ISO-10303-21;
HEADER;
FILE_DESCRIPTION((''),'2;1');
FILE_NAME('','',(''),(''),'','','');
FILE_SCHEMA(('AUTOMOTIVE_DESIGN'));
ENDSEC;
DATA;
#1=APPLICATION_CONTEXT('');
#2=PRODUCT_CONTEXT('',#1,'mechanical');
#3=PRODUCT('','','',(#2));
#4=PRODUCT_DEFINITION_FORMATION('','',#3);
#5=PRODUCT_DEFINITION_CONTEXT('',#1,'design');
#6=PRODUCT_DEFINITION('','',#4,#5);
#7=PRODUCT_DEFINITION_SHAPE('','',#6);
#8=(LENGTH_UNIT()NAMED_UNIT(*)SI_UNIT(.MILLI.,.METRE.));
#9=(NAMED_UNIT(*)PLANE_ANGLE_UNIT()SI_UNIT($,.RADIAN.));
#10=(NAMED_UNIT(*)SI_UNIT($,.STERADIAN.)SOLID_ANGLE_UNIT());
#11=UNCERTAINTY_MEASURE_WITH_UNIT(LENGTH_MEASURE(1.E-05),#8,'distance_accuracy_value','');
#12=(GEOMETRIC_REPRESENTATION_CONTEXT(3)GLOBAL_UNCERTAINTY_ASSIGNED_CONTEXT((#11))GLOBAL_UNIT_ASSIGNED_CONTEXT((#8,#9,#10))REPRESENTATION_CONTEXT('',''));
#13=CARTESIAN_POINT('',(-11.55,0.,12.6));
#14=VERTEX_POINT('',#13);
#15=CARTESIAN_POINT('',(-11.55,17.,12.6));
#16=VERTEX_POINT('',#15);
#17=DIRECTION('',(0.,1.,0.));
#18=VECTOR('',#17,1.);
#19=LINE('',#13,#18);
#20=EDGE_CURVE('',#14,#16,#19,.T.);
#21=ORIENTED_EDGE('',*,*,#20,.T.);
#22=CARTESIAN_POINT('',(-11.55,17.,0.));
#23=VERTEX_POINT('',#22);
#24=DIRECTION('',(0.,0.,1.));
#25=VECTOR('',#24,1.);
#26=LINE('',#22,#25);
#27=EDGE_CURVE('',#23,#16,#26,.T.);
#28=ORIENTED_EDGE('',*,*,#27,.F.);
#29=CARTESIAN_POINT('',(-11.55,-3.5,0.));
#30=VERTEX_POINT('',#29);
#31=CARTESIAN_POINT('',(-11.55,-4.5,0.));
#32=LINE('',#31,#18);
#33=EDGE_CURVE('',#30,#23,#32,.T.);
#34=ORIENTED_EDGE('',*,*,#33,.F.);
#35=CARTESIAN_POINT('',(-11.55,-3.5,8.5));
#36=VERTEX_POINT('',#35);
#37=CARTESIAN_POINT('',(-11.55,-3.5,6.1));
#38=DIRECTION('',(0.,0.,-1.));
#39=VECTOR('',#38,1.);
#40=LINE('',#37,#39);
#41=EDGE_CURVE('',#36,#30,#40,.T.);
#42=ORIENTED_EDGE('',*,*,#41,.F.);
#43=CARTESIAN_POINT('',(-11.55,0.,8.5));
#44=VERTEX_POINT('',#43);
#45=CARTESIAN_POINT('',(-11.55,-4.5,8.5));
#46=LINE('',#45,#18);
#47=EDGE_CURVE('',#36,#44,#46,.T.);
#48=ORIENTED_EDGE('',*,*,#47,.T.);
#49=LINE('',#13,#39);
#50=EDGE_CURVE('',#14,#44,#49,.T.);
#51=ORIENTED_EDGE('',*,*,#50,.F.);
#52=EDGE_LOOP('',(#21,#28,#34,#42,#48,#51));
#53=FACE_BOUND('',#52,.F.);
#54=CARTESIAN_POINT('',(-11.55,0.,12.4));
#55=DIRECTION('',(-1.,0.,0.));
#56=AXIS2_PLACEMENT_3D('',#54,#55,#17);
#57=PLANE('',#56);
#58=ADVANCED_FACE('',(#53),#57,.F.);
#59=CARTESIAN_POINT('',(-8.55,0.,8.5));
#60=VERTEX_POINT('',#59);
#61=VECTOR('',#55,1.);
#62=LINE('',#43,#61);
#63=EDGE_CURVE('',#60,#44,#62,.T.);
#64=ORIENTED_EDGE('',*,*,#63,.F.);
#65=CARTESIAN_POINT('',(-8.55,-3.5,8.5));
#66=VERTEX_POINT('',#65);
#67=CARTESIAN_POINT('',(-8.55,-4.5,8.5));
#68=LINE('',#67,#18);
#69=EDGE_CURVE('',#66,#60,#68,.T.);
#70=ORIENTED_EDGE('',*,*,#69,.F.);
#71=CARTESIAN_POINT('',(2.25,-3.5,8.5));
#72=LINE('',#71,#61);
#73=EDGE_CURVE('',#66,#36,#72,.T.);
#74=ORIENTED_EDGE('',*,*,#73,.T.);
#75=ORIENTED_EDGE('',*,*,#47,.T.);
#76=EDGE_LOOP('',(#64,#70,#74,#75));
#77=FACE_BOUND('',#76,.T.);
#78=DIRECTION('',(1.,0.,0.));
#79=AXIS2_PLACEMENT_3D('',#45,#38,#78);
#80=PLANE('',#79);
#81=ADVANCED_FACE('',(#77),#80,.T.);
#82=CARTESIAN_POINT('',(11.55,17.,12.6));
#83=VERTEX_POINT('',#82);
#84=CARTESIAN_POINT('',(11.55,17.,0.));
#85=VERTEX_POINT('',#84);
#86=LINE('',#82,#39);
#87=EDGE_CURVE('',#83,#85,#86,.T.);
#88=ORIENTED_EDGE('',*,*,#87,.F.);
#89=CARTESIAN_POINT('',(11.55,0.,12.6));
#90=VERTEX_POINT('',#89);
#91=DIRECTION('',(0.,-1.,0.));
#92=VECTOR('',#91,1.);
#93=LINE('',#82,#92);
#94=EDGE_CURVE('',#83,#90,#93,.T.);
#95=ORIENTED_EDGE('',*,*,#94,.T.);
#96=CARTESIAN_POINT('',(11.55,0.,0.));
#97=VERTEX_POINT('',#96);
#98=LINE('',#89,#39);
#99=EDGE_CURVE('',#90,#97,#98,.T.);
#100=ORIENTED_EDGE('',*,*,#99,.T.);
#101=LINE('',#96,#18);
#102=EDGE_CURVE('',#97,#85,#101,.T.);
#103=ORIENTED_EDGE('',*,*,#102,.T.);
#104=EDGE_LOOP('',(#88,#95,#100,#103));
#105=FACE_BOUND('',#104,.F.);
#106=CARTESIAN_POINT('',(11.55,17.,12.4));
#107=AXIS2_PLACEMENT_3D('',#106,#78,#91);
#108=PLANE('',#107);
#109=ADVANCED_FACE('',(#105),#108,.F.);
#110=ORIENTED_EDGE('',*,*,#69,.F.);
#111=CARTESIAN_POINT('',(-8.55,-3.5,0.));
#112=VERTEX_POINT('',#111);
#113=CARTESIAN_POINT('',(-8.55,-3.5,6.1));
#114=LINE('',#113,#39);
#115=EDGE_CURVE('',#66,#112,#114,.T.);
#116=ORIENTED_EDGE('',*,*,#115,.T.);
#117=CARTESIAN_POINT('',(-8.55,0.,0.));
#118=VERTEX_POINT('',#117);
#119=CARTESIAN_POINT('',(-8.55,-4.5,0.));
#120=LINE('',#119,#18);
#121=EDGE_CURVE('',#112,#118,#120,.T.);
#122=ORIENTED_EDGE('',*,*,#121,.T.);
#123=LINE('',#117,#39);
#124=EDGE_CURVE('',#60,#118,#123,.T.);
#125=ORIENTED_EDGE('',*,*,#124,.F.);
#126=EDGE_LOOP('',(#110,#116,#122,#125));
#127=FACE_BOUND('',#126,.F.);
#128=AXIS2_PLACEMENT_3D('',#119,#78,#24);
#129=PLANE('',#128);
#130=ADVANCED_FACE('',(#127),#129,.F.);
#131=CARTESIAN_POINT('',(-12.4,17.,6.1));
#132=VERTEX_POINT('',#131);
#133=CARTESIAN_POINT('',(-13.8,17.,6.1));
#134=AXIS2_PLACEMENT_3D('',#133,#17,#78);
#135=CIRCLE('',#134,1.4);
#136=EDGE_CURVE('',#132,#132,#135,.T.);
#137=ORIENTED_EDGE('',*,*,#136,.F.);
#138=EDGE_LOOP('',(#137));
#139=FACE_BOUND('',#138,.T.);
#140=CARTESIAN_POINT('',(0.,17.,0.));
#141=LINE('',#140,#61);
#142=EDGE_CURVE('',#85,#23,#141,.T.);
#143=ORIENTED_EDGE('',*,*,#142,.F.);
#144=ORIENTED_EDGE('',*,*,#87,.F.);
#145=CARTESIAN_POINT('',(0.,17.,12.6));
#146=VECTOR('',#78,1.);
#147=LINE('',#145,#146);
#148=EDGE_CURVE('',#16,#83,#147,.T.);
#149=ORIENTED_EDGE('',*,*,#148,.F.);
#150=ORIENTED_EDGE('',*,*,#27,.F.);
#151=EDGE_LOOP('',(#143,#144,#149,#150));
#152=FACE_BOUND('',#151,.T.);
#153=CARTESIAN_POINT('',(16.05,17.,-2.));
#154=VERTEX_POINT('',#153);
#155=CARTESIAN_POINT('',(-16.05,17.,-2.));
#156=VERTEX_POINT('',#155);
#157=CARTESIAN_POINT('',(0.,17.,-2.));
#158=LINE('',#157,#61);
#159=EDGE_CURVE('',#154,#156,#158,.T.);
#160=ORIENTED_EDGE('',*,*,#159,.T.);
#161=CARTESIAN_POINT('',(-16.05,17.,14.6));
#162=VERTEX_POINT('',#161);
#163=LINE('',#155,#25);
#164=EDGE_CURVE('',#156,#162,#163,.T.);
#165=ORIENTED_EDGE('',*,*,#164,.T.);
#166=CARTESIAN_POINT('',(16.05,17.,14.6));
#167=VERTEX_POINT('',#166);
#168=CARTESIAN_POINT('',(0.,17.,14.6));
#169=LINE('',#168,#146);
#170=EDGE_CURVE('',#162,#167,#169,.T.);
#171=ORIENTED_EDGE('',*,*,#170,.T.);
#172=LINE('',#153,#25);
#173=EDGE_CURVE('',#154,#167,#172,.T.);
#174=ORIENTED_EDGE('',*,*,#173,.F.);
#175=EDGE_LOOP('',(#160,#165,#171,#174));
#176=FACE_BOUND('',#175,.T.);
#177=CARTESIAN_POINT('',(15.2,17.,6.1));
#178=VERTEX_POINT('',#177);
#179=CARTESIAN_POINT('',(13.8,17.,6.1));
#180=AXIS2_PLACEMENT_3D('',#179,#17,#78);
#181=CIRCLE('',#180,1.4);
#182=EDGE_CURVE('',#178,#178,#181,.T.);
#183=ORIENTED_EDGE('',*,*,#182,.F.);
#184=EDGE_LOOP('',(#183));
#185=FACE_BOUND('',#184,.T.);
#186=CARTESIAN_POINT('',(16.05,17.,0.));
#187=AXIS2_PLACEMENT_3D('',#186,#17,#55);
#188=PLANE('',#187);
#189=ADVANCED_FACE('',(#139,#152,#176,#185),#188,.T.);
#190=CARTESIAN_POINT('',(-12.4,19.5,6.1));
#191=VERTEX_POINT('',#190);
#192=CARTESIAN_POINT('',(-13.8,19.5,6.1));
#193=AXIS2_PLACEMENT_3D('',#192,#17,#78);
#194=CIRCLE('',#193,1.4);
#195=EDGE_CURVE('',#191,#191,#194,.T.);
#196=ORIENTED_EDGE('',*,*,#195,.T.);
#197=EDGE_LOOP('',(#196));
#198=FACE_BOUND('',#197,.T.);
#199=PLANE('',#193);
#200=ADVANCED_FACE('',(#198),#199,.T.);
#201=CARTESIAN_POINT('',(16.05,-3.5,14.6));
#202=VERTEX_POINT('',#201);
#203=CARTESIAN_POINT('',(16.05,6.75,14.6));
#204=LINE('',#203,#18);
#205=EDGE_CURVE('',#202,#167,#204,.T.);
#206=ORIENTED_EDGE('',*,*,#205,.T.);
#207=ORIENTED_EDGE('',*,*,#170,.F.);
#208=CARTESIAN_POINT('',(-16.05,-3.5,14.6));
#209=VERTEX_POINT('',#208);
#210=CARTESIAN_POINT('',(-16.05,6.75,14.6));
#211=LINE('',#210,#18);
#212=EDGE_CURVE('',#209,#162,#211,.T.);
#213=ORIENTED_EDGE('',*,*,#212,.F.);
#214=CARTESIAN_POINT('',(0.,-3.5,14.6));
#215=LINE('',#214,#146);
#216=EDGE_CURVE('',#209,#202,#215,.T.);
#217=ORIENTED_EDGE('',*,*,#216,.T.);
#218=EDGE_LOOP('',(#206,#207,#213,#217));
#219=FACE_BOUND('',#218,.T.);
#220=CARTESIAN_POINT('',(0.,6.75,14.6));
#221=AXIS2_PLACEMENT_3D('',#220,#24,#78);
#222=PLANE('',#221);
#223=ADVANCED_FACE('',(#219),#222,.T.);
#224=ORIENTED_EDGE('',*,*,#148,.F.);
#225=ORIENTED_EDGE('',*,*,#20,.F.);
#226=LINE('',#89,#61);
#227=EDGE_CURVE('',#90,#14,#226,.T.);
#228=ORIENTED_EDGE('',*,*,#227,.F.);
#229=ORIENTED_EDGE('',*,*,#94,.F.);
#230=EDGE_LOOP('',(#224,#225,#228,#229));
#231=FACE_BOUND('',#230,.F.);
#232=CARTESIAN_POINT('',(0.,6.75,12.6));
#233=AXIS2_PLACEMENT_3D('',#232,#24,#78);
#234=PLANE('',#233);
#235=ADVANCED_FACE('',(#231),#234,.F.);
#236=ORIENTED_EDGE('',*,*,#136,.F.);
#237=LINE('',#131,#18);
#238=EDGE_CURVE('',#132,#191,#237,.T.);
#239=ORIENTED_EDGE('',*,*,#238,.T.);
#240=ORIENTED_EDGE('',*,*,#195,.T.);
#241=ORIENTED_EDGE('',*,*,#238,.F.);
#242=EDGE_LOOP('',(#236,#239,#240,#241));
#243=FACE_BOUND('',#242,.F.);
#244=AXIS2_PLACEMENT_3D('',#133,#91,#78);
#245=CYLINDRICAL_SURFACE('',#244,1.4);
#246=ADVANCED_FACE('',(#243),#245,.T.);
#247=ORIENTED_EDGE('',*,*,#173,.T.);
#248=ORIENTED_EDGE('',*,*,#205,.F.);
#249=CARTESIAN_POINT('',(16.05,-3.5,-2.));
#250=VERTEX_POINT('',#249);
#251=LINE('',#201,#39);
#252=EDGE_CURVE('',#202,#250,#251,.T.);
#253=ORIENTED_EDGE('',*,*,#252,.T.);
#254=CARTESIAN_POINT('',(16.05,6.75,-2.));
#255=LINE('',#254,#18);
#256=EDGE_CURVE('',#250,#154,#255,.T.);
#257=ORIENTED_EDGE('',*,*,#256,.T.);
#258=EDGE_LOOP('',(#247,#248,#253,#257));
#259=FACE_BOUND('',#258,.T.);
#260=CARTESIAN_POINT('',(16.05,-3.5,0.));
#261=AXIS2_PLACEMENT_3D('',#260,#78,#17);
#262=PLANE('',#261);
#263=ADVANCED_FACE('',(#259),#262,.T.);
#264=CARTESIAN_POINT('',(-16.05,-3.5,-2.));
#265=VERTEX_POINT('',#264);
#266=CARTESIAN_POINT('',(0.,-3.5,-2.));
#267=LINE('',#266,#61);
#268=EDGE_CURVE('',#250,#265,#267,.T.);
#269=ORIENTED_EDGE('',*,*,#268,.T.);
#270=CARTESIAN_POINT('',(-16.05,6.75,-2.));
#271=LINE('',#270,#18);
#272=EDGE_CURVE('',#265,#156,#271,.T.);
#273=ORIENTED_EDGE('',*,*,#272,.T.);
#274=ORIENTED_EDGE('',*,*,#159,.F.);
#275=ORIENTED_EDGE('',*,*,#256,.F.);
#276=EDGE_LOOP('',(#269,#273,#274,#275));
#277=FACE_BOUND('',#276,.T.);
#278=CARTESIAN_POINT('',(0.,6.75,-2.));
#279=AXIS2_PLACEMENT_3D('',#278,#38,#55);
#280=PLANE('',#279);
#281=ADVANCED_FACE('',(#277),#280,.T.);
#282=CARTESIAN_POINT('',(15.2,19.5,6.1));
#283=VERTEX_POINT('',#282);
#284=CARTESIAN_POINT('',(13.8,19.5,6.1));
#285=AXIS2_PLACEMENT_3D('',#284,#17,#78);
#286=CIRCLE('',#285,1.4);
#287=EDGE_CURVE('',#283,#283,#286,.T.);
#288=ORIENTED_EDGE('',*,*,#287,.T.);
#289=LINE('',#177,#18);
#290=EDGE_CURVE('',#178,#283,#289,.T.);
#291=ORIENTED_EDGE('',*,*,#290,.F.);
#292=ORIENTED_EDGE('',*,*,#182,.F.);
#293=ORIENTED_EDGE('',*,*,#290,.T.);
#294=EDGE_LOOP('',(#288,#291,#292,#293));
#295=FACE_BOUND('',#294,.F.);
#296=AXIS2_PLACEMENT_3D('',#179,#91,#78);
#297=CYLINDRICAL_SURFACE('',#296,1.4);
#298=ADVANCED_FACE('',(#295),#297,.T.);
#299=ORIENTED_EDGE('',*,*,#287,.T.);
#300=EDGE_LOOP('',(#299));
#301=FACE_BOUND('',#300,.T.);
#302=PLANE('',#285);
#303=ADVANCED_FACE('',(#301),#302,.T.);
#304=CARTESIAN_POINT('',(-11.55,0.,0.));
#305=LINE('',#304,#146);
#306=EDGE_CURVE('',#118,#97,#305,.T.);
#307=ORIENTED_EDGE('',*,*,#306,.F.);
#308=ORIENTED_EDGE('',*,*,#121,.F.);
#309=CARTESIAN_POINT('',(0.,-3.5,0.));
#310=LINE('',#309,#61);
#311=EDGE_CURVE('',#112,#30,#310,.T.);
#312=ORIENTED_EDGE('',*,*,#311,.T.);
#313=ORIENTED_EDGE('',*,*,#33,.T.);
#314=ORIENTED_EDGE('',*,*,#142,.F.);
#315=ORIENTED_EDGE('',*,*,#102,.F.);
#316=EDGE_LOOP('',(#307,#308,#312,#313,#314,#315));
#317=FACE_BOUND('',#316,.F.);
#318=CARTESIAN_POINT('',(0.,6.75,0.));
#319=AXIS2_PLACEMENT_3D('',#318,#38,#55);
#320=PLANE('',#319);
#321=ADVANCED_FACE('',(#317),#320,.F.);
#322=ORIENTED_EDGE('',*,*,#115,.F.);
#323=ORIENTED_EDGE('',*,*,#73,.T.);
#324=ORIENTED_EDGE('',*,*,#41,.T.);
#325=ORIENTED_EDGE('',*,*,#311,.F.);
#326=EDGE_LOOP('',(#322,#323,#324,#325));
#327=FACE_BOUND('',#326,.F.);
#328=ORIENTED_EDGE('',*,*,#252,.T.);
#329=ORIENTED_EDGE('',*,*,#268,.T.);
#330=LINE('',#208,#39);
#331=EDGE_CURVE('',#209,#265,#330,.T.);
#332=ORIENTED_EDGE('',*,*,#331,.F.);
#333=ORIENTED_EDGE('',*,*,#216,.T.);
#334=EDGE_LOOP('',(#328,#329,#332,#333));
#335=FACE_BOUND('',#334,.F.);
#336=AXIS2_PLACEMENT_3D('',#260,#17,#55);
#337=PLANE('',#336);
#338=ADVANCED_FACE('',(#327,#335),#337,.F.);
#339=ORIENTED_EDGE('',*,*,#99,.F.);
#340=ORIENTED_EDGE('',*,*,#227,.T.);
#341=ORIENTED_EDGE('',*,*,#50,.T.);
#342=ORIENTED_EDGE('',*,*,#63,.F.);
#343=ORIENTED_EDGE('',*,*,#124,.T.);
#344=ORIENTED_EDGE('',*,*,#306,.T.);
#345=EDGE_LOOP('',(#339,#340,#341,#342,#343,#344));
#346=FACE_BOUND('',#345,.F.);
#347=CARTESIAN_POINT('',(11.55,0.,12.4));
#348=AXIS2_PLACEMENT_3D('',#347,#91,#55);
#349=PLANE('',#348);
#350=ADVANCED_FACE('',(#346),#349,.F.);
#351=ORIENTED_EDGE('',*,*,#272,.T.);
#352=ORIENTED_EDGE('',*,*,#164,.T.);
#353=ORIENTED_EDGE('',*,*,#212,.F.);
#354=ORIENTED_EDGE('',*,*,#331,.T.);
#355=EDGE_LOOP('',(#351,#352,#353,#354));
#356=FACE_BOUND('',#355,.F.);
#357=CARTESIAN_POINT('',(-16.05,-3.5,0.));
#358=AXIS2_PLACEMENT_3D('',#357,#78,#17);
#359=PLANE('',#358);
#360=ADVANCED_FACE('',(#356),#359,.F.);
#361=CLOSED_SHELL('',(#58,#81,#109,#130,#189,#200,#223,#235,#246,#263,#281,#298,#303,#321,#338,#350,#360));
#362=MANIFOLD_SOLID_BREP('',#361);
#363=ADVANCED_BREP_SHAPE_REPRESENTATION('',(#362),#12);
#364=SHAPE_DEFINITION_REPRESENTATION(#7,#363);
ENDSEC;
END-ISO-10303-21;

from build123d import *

# Parameters (mm, degrees)
EXTRUDE_2_DEPTH          = 12.2
SKETCH_5_W               = 3
SKETCH_5_H               = 8.5
CUT_EXTRUDE_1_DEPTH      = 22.5
SKETCH_6_R               = 1.4
EXTRUDE_3_DEPTH          = 2.5
SKETCH_7_W               = 12.2
SKETCH_7_H               = 1
CUT_EXTRUDE_2_DEPTH      = 1
CUT_EXTRUDE_2_DEPTH_BACK = 32.1
EXTRUDE_4_DEPTH          = 0.2
EXTRUDE_5_DEPTH          = 0.2
SKETCH_10_W              = 32.1
SKETCH_10_H              = 20.5
EXTRUDE_6_DEPTH          = 2
SKETCH_11_W              = 32.1
SKETCH_11_H              = 20.5
EXTRUDE_7_DEPTH          = 2


with BuildPart() as part:
    # 草图4 → 凸台-拉伸2 (new body)
    with BuildSketch(Plane.XY):
        Polygon((-11.55, 0), (11.55, 0), (11.55, 17), (16.05, 17), (16.05, -4.5), (-16.05, -4.5), (-16.05, 17), (-11.55, 17), align=None)
    extrude(amount=EXTRUDE_2_DEPTH)

    # 草图5 → 切除-拉伸1 (cut, through all)
    with BuildSketch(Plane.XZ.offset(4.5)):
        with Locations((-10.05, 4.25)):
            Rectangle(SKETCH_5_W, SKETCH_5_H)
    extrude(amount=-CUT_EXTRUDE_1_DEPTH, mode=Mode.SUBTRACT)

    # 草图6 → 凸台-拉伸3 (add)
    with BuildSketch(Plane(origin=(0, 17, 0), x_dir=(1, 0, 0), z_dir=(0, 1, 0))):
        with Locations((13.8, -6.1)):
            Circle(SKETCH_6_R)
        with Locations((-13.8, -6.1)):
            Circle(SKETCH_6_R)
    extrude(amount=EXTRUDE_3_DEPTH)

    # 草图7 → 切除-拉伸2 (cut, two sides)
    with BuildSketch(Plane(origin=(16.05, 0, 0), x_dir=(0, 0, -1), z_dir=(1, 0, 0))) as cut_extrude_2_sk:
        with Locations((-6.1, -4)):
            Rectangle(SKETCH_7_W, SKETCH_7_H)
    extrude(amount=CUT_EXTRUDE_2_DEPTH, mode=Mode.SUBTRACT)
    extrude(cut_extrude_2_sk.sketch, amount=-CUT_EXTRUDE_2_DEPTH_BACK, mode=Mode.SUBTRACT)

    # 草图8 → 凸台-拉伸4 (add)
    with BuildSketch(Plane.XY.offset(12.2)):
        Polygon((-11.55, 17), (-16.05, 17), (-16.05, -3.5), (16.05, -3.5), (16.05, 17), (11.55, 17), (11.55, 0), (-11.55, 0), align=None)
    extrude(amount=EXTRUDE_4_DEPTH)

    # 草图9 → 凸台-拉伸5 (add)
    with BuildSketch(Plane.XY.offset(12.4)):
        Polygon((-11.55, 0), (-11.55, 17), (-16.05, 17), (-16.05, -3.5), (16.05, -3.5), (16.05, 17), (11.55, 17), (11.55, 0), align=None)
    extrude(amount=EXTRUDE_5_DEPTH)

    # 草图10 → 凸台-拉伸6 (add)
    with BuildSketch(Plane.XY.offset(12.6)):
        with Locations((0, 6.75)):
            Rectangle(SKETCH_10_W, SKETCH_10_H)
    extrude(amount=EXTRUDE_6_DEPTH)

    # 草图11 → 凸台-拉伸7 (add)
    with BuildSketch(Plane(origin=(0, 0, 0), x_dir=(-1, 0, 0), z_dir=(0, 0, -1))):
        with Locations((0, 6.75)):
            Rectangle(SKETCH_11_W, SKETCH_11_H)
    extrude(amount=EXTRUDE_7_DEPTH)


solid = part.part
